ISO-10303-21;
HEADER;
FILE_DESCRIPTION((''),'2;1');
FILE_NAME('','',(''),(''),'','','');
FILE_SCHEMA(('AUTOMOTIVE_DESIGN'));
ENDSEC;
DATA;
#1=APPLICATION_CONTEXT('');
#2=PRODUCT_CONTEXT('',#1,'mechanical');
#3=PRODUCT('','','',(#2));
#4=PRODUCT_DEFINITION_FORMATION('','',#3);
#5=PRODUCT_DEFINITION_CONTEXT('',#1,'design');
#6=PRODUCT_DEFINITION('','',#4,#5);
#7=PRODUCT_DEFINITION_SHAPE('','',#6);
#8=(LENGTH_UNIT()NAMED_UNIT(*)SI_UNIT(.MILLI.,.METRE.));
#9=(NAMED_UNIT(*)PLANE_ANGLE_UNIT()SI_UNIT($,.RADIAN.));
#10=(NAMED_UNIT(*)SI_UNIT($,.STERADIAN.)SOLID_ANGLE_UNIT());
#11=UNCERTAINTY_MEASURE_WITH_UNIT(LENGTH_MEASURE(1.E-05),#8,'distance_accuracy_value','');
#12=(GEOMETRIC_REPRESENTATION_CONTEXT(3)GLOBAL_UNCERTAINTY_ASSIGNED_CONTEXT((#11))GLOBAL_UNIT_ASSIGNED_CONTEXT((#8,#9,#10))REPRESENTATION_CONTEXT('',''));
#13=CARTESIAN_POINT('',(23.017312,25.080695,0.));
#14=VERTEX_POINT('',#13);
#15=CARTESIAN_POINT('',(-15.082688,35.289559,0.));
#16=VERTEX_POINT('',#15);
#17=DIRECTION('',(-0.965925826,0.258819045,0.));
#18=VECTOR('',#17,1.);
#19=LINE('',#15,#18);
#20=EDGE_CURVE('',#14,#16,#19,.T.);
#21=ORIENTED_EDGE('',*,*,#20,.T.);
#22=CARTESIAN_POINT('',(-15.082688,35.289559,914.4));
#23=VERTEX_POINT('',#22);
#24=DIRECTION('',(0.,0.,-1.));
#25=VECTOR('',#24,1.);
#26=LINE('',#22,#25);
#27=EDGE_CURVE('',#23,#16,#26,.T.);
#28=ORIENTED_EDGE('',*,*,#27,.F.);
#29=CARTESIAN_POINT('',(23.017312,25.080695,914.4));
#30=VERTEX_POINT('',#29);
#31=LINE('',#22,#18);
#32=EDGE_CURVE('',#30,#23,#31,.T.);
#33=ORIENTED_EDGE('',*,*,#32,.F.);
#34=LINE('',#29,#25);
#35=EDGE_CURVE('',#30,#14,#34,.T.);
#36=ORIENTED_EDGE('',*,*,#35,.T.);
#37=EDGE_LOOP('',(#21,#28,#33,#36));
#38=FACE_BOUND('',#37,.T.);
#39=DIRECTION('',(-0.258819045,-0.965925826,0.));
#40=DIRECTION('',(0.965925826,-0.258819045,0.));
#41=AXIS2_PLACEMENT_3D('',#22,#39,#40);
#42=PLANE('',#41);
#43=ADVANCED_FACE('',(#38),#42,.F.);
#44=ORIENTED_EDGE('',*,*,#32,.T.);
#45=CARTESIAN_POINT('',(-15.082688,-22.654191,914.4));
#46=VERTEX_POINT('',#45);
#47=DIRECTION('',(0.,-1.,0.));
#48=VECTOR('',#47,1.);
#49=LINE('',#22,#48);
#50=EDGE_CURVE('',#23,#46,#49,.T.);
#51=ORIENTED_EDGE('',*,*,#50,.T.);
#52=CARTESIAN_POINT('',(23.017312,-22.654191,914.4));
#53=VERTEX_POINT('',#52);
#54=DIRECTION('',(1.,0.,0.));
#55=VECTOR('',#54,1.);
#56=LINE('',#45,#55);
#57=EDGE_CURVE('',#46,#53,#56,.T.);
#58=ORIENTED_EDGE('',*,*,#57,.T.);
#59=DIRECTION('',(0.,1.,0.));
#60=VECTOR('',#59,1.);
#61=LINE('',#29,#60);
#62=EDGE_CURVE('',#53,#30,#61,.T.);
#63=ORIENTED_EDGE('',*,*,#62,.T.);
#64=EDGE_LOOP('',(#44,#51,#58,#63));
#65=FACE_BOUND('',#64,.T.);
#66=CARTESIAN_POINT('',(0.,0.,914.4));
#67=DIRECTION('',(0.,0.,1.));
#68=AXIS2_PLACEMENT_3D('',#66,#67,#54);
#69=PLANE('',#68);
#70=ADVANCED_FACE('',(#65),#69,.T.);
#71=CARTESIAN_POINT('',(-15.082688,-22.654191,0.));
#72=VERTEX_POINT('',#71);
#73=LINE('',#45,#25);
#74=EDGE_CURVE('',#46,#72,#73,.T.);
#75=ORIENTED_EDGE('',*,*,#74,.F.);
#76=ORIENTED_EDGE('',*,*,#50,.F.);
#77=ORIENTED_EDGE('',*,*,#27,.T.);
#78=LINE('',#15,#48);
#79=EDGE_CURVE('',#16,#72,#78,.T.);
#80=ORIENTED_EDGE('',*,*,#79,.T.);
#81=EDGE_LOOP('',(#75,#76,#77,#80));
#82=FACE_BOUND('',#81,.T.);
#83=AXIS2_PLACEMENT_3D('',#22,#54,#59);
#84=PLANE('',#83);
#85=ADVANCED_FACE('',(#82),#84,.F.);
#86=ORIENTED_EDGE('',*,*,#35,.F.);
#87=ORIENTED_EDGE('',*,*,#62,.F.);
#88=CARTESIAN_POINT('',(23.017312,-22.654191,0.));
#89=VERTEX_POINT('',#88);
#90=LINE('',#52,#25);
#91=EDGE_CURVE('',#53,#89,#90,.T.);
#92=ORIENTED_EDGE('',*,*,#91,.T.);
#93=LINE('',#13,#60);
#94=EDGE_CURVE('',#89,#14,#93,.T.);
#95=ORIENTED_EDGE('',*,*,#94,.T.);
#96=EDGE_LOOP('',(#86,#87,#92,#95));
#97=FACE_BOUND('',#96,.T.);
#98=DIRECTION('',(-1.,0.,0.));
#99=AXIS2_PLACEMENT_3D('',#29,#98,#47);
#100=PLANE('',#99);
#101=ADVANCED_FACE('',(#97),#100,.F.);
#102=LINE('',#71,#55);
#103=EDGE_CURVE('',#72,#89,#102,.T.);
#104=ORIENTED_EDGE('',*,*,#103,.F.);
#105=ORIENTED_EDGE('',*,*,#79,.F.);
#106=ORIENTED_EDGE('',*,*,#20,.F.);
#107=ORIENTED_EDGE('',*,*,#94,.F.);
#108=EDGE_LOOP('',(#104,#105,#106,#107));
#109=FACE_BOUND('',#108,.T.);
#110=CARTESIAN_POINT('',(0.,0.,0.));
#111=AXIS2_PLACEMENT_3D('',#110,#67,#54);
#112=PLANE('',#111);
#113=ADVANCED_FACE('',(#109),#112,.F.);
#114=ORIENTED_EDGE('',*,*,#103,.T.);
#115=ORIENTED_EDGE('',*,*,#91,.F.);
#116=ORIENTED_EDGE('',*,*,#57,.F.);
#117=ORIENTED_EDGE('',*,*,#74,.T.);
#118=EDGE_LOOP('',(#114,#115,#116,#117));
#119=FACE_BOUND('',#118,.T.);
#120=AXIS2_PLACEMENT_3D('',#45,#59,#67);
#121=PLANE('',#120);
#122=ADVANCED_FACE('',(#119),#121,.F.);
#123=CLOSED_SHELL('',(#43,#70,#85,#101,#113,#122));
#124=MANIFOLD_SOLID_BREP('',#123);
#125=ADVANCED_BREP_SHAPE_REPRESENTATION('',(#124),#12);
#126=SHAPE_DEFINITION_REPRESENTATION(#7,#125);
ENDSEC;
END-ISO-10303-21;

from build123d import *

# Parameters (mm, degrees)
BOSS_EXTRUDE1_DEPTH = 914.4


with BuildPart() as part:
    # Sketch1 → Boss-Extrude1 (new body)
    with BuildSketch(Plane.XY):
        Polygon((-15.082688167, 35.289559184), (23.017311833, 25.080694953), (23.017311833, -22.654190816), (-15.082688167, -22.654190816), align=None)
    extrude(amount=BOSS_EXTRUDE1_DEPTH)


solid = part.part
